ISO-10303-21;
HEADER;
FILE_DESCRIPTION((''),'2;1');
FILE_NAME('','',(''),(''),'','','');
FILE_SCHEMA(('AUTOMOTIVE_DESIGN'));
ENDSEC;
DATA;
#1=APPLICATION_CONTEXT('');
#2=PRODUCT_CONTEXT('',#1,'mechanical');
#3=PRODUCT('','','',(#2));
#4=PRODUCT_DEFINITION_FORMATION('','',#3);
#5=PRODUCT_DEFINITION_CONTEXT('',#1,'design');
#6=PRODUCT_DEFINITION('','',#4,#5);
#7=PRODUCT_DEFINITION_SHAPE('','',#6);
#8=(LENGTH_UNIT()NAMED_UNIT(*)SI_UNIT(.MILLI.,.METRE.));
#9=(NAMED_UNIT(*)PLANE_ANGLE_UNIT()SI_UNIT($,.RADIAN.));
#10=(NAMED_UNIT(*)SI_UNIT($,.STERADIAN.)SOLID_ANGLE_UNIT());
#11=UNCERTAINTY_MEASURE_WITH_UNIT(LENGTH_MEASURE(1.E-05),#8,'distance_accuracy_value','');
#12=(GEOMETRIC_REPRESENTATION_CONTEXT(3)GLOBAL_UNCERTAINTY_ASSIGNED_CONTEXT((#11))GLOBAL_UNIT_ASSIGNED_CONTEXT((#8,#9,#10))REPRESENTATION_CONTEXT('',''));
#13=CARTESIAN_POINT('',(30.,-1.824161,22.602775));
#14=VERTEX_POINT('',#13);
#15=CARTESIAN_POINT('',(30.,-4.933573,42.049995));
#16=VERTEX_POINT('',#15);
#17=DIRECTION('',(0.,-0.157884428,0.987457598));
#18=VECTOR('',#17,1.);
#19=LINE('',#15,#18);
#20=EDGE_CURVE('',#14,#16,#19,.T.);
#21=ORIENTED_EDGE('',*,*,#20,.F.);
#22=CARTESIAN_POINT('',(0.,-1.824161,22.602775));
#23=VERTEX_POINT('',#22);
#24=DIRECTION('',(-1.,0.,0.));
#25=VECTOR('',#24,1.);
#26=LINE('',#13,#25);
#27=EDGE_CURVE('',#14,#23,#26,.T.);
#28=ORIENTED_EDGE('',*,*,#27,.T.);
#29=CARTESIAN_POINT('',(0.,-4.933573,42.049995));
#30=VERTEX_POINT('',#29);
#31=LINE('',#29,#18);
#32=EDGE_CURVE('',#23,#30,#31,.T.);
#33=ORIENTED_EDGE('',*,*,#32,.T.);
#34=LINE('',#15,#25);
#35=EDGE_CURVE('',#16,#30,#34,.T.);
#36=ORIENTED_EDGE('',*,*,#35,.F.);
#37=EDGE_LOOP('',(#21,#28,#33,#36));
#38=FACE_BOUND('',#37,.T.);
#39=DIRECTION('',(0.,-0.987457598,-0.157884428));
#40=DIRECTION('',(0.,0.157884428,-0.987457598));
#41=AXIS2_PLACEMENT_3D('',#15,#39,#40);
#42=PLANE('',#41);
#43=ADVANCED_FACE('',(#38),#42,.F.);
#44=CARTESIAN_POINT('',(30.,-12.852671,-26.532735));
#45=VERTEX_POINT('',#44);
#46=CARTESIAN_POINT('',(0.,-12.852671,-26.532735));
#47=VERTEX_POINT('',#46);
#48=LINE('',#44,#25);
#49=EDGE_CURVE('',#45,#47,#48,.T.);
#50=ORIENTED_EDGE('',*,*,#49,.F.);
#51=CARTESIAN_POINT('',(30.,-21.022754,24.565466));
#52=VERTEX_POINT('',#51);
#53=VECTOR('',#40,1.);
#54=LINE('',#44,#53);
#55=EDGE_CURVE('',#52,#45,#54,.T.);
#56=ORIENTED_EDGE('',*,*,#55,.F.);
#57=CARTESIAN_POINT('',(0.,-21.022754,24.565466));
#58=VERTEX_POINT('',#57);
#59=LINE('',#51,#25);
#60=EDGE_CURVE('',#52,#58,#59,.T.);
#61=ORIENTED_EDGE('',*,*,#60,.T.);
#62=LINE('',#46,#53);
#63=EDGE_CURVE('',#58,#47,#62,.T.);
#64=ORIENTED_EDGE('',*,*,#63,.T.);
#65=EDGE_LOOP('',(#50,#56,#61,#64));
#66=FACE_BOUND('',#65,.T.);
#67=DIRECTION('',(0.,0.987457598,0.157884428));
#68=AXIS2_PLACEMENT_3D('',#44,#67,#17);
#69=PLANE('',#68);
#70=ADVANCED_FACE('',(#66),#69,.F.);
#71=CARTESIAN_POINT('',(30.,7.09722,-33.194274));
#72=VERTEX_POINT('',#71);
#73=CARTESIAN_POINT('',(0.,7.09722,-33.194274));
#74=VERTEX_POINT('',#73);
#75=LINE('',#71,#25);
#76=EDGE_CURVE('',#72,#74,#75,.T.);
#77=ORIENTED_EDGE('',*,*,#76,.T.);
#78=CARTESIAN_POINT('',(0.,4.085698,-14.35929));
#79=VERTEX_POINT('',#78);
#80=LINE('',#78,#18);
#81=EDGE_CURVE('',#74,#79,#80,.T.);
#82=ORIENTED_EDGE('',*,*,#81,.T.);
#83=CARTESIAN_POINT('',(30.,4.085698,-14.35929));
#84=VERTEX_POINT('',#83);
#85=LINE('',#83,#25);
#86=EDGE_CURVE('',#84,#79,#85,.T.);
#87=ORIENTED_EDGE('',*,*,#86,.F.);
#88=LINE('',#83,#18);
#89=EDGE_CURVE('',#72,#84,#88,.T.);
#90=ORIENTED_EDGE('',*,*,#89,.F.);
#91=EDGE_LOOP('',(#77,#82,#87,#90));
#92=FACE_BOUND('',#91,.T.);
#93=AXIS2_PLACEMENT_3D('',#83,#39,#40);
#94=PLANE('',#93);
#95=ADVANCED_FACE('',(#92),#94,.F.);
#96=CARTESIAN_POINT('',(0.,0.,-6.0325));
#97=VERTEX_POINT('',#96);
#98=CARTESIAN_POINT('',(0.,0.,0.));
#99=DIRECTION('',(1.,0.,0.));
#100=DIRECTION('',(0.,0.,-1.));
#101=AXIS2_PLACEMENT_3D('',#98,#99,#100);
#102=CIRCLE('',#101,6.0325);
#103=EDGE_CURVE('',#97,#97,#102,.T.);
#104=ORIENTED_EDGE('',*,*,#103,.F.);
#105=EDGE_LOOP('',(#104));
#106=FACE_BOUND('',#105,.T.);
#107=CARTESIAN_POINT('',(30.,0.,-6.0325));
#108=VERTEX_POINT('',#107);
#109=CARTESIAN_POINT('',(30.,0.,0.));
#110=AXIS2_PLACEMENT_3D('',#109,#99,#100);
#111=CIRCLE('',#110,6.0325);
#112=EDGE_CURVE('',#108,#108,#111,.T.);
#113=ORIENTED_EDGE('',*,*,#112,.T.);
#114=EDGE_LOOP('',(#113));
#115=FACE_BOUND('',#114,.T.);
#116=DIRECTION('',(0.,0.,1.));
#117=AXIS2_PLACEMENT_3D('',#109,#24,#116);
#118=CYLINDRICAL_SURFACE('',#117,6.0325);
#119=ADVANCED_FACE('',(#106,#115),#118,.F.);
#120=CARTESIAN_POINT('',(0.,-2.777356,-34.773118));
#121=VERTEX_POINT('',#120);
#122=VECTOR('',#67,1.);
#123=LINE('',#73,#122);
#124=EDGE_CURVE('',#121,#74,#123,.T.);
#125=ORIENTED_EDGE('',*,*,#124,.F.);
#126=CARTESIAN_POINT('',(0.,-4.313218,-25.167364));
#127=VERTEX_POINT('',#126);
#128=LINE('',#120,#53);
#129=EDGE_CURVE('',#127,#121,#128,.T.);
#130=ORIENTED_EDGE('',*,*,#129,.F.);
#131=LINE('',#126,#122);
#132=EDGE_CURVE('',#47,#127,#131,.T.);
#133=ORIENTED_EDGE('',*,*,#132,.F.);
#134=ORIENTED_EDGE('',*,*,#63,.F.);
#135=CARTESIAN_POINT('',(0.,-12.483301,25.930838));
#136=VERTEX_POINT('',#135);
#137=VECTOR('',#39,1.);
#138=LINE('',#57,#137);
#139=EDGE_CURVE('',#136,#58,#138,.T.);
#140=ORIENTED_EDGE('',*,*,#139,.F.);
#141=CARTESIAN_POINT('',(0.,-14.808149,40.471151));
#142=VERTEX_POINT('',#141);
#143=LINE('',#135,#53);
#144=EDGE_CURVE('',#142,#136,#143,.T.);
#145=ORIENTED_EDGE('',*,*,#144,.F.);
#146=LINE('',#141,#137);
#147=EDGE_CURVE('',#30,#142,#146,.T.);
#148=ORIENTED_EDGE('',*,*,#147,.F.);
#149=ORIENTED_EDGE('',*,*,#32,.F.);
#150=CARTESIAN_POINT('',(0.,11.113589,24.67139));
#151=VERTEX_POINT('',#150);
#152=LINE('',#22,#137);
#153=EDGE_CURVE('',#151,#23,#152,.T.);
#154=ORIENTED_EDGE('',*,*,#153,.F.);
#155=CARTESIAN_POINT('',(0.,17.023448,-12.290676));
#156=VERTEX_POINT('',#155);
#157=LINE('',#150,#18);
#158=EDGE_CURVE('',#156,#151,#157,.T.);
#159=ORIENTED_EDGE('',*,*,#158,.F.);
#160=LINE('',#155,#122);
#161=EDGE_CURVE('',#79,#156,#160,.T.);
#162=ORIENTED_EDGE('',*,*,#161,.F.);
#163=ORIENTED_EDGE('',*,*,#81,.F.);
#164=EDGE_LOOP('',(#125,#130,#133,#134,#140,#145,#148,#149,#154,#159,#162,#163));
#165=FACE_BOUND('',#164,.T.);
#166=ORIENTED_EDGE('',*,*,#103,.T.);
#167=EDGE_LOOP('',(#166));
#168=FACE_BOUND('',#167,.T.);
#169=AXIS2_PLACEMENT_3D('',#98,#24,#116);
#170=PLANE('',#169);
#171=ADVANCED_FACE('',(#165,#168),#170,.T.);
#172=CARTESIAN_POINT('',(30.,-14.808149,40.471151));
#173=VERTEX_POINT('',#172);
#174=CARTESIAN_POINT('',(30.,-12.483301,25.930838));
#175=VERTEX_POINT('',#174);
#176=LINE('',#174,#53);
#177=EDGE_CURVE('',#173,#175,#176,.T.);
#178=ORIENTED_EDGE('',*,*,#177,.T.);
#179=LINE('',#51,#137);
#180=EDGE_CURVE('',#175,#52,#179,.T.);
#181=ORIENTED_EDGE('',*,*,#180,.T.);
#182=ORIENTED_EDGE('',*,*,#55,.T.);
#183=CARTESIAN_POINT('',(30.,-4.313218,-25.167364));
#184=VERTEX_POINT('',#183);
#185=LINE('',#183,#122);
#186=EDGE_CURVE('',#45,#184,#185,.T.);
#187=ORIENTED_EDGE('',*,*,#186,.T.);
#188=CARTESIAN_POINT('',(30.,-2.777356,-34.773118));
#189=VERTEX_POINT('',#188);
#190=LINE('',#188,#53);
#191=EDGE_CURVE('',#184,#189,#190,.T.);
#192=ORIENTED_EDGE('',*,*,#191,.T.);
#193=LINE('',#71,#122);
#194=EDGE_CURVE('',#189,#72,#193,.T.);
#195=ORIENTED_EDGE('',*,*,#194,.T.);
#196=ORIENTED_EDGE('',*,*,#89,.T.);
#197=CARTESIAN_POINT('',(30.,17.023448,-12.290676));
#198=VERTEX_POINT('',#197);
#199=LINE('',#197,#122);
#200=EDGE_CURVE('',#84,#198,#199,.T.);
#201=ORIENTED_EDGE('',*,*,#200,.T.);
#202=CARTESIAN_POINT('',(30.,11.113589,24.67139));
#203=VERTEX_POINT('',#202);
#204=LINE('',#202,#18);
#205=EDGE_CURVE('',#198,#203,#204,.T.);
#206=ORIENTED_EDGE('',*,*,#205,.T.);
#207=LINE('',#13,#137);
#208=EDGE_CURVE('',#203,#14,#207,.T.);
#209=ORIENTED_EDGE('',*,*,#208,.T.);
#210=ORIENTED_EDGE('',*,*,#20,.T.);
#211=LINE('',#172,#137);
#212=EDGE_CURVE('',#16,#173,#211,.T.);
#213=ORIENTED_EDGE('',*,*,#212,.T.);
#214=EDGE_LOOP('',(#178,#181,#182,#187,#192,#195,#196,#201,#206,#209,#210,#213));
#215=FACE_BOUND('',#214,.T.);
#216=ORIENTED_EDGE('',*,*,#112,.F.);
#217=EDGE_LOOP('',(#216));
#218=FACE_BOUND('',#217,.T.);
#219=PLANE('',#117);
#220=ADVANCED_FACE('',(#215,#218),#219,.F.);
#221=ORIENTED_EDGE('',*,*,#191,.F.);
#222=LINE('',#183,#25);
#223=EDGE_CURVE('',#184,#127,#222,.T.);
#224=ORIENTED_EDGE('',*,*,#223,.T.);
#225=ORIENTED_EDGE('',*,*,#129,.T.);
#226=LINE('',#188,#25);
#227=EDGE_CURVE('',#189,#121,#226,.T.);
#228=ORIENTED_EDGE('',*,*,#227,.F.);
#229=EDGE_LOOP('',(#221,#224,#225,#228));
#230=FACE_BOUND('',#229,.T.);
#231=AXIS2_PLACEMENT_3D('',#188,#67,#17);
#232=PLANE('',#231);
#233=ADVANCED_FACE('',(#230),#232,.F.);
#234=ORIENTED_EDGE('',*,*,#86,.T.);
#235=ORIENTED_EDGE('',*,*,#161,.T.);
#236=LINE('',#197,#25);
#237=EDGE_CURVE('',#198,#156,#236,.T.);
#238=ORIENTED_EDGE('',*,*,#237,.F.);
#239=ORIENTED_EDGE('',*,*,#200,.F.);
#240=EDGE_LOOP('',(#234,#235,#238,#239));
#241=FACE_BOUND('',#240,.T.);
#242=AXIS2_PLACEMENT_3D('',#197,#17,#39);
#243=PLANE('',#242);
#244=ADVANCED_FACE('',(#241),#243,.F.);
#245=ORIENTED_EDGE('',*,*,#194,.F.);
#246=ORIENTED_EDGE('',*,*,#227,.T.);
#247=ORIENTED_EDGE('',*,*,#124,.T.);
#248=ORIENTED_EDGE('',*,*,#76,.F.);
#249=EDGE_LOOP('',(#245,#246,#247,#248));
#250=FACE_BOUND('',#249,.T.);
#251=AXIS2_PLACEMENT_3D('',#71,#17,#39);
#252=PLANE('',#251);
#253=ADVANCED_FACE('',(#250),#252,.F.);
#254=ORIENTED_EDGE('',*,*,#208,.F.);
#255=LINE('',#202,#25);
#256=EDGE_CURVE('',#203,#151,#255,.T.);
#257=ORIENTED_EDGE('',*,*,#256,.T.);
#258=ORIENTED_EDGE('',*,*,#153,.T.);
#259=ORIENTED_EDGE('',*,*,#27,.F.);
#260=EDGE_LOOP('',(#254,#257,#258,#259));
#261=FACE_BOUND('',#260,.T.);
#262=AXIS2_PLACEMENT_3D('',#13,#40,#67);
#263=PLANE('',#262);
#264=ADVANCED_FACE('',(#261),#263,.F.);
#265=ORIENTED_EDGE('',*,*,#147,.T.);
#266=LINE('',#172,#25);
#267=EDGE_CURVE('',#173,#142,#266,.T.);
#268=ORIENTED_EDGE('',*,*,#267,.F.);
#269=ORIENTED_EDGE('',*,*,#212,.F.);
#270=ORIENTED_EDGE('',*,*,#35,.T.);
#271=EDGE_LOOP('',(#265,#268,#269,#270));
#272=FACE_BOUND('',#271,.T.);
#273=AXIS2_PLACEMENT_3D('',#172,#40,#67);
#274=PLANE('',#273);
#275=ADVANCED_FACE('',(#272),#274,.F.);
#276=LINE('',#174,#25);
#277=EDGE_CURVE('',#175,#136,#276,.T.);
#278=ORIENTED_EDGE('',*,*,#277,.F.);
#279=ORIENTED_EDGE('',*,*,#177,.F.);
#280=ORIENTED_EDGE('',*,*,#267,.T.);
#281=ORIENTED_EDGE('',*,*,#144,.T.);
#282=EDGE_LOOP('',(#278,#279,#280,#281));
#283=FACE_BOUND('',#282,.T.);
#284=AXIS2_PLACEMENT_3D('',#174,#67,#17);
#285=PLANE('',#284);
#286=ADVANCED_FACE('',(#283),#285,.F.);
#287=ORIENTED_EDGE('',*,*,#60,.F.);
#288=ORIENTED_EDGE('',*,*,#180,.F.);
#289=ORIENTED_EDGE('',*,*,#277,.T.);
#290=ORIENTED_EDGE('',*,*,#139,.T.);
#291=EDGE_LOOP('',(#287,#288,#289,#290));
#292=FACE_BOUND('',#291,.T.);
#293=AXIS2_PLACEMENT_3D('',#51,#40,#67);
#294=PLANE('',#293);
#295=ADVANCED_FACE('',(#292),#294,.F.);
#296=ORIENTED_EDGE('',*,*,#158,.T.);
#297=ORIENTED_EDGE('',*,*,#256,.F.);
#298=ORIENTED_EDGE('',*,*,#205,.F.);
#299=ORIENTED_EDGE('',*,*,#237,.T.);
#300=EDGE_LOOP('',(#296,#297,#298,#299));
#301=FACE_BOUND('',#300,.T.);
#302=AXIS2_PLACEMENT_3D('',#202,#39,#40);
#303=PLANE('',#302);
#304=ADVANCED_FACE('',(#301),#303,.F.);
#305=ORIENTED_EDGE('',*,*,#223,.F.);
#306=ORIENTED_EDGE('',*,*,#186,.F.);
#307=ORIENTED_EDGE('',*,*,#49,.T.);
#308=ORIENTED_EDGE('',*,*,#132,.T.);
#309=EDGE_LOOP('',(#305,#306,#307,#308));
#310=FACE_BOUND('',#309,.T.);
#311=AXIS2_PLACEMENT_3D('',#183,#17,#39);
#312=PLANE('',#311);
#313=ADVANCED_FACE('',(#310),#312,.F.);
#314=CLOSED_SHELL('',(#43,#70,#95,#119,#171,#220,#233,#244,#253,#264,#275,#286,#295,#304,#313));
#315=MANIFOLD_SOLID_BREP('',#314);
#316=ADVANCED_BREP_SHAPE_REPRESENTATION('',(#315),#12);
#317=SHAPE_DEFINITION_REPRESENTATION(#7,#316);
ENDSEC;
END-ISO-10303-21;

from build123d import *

# Parameters (mm, degrees)
SKETCH1_R           = 6.0325
BOSS_EXTRUDE1_DEPTH = 30


with BuildPart() as part:
    # Sketch1 → Boss-Extrude1 (new body)
    with BuildSketch(Plane(origin=(0, 0, 0), x_dir=(0, 0, -1), z_dir=(1, 0, 0))):
        Polygon((-40.471150755, -14.808149442), (-42.049995036, -4.933573465), (-22.602775287, -1.824160793), (-24.67138994, 11.113589187), (12.290675723, 17.023447605), (14.359290376, 4.085697625), (33.194273914, 7.097219953), (34.773118194, -2.777356025), (25.167363634, -4.313218494), (26.532735292, -12.852671266), (-24.565465971, -21.022754011), (-25.930837628, -12.483301239), align=None)
        Circle(SKETCH1_R, mode=Mode.SUBTRACT)
    extrude(amount=BOSS_EXTRUDE1_DEPTH)


solid = part.part
